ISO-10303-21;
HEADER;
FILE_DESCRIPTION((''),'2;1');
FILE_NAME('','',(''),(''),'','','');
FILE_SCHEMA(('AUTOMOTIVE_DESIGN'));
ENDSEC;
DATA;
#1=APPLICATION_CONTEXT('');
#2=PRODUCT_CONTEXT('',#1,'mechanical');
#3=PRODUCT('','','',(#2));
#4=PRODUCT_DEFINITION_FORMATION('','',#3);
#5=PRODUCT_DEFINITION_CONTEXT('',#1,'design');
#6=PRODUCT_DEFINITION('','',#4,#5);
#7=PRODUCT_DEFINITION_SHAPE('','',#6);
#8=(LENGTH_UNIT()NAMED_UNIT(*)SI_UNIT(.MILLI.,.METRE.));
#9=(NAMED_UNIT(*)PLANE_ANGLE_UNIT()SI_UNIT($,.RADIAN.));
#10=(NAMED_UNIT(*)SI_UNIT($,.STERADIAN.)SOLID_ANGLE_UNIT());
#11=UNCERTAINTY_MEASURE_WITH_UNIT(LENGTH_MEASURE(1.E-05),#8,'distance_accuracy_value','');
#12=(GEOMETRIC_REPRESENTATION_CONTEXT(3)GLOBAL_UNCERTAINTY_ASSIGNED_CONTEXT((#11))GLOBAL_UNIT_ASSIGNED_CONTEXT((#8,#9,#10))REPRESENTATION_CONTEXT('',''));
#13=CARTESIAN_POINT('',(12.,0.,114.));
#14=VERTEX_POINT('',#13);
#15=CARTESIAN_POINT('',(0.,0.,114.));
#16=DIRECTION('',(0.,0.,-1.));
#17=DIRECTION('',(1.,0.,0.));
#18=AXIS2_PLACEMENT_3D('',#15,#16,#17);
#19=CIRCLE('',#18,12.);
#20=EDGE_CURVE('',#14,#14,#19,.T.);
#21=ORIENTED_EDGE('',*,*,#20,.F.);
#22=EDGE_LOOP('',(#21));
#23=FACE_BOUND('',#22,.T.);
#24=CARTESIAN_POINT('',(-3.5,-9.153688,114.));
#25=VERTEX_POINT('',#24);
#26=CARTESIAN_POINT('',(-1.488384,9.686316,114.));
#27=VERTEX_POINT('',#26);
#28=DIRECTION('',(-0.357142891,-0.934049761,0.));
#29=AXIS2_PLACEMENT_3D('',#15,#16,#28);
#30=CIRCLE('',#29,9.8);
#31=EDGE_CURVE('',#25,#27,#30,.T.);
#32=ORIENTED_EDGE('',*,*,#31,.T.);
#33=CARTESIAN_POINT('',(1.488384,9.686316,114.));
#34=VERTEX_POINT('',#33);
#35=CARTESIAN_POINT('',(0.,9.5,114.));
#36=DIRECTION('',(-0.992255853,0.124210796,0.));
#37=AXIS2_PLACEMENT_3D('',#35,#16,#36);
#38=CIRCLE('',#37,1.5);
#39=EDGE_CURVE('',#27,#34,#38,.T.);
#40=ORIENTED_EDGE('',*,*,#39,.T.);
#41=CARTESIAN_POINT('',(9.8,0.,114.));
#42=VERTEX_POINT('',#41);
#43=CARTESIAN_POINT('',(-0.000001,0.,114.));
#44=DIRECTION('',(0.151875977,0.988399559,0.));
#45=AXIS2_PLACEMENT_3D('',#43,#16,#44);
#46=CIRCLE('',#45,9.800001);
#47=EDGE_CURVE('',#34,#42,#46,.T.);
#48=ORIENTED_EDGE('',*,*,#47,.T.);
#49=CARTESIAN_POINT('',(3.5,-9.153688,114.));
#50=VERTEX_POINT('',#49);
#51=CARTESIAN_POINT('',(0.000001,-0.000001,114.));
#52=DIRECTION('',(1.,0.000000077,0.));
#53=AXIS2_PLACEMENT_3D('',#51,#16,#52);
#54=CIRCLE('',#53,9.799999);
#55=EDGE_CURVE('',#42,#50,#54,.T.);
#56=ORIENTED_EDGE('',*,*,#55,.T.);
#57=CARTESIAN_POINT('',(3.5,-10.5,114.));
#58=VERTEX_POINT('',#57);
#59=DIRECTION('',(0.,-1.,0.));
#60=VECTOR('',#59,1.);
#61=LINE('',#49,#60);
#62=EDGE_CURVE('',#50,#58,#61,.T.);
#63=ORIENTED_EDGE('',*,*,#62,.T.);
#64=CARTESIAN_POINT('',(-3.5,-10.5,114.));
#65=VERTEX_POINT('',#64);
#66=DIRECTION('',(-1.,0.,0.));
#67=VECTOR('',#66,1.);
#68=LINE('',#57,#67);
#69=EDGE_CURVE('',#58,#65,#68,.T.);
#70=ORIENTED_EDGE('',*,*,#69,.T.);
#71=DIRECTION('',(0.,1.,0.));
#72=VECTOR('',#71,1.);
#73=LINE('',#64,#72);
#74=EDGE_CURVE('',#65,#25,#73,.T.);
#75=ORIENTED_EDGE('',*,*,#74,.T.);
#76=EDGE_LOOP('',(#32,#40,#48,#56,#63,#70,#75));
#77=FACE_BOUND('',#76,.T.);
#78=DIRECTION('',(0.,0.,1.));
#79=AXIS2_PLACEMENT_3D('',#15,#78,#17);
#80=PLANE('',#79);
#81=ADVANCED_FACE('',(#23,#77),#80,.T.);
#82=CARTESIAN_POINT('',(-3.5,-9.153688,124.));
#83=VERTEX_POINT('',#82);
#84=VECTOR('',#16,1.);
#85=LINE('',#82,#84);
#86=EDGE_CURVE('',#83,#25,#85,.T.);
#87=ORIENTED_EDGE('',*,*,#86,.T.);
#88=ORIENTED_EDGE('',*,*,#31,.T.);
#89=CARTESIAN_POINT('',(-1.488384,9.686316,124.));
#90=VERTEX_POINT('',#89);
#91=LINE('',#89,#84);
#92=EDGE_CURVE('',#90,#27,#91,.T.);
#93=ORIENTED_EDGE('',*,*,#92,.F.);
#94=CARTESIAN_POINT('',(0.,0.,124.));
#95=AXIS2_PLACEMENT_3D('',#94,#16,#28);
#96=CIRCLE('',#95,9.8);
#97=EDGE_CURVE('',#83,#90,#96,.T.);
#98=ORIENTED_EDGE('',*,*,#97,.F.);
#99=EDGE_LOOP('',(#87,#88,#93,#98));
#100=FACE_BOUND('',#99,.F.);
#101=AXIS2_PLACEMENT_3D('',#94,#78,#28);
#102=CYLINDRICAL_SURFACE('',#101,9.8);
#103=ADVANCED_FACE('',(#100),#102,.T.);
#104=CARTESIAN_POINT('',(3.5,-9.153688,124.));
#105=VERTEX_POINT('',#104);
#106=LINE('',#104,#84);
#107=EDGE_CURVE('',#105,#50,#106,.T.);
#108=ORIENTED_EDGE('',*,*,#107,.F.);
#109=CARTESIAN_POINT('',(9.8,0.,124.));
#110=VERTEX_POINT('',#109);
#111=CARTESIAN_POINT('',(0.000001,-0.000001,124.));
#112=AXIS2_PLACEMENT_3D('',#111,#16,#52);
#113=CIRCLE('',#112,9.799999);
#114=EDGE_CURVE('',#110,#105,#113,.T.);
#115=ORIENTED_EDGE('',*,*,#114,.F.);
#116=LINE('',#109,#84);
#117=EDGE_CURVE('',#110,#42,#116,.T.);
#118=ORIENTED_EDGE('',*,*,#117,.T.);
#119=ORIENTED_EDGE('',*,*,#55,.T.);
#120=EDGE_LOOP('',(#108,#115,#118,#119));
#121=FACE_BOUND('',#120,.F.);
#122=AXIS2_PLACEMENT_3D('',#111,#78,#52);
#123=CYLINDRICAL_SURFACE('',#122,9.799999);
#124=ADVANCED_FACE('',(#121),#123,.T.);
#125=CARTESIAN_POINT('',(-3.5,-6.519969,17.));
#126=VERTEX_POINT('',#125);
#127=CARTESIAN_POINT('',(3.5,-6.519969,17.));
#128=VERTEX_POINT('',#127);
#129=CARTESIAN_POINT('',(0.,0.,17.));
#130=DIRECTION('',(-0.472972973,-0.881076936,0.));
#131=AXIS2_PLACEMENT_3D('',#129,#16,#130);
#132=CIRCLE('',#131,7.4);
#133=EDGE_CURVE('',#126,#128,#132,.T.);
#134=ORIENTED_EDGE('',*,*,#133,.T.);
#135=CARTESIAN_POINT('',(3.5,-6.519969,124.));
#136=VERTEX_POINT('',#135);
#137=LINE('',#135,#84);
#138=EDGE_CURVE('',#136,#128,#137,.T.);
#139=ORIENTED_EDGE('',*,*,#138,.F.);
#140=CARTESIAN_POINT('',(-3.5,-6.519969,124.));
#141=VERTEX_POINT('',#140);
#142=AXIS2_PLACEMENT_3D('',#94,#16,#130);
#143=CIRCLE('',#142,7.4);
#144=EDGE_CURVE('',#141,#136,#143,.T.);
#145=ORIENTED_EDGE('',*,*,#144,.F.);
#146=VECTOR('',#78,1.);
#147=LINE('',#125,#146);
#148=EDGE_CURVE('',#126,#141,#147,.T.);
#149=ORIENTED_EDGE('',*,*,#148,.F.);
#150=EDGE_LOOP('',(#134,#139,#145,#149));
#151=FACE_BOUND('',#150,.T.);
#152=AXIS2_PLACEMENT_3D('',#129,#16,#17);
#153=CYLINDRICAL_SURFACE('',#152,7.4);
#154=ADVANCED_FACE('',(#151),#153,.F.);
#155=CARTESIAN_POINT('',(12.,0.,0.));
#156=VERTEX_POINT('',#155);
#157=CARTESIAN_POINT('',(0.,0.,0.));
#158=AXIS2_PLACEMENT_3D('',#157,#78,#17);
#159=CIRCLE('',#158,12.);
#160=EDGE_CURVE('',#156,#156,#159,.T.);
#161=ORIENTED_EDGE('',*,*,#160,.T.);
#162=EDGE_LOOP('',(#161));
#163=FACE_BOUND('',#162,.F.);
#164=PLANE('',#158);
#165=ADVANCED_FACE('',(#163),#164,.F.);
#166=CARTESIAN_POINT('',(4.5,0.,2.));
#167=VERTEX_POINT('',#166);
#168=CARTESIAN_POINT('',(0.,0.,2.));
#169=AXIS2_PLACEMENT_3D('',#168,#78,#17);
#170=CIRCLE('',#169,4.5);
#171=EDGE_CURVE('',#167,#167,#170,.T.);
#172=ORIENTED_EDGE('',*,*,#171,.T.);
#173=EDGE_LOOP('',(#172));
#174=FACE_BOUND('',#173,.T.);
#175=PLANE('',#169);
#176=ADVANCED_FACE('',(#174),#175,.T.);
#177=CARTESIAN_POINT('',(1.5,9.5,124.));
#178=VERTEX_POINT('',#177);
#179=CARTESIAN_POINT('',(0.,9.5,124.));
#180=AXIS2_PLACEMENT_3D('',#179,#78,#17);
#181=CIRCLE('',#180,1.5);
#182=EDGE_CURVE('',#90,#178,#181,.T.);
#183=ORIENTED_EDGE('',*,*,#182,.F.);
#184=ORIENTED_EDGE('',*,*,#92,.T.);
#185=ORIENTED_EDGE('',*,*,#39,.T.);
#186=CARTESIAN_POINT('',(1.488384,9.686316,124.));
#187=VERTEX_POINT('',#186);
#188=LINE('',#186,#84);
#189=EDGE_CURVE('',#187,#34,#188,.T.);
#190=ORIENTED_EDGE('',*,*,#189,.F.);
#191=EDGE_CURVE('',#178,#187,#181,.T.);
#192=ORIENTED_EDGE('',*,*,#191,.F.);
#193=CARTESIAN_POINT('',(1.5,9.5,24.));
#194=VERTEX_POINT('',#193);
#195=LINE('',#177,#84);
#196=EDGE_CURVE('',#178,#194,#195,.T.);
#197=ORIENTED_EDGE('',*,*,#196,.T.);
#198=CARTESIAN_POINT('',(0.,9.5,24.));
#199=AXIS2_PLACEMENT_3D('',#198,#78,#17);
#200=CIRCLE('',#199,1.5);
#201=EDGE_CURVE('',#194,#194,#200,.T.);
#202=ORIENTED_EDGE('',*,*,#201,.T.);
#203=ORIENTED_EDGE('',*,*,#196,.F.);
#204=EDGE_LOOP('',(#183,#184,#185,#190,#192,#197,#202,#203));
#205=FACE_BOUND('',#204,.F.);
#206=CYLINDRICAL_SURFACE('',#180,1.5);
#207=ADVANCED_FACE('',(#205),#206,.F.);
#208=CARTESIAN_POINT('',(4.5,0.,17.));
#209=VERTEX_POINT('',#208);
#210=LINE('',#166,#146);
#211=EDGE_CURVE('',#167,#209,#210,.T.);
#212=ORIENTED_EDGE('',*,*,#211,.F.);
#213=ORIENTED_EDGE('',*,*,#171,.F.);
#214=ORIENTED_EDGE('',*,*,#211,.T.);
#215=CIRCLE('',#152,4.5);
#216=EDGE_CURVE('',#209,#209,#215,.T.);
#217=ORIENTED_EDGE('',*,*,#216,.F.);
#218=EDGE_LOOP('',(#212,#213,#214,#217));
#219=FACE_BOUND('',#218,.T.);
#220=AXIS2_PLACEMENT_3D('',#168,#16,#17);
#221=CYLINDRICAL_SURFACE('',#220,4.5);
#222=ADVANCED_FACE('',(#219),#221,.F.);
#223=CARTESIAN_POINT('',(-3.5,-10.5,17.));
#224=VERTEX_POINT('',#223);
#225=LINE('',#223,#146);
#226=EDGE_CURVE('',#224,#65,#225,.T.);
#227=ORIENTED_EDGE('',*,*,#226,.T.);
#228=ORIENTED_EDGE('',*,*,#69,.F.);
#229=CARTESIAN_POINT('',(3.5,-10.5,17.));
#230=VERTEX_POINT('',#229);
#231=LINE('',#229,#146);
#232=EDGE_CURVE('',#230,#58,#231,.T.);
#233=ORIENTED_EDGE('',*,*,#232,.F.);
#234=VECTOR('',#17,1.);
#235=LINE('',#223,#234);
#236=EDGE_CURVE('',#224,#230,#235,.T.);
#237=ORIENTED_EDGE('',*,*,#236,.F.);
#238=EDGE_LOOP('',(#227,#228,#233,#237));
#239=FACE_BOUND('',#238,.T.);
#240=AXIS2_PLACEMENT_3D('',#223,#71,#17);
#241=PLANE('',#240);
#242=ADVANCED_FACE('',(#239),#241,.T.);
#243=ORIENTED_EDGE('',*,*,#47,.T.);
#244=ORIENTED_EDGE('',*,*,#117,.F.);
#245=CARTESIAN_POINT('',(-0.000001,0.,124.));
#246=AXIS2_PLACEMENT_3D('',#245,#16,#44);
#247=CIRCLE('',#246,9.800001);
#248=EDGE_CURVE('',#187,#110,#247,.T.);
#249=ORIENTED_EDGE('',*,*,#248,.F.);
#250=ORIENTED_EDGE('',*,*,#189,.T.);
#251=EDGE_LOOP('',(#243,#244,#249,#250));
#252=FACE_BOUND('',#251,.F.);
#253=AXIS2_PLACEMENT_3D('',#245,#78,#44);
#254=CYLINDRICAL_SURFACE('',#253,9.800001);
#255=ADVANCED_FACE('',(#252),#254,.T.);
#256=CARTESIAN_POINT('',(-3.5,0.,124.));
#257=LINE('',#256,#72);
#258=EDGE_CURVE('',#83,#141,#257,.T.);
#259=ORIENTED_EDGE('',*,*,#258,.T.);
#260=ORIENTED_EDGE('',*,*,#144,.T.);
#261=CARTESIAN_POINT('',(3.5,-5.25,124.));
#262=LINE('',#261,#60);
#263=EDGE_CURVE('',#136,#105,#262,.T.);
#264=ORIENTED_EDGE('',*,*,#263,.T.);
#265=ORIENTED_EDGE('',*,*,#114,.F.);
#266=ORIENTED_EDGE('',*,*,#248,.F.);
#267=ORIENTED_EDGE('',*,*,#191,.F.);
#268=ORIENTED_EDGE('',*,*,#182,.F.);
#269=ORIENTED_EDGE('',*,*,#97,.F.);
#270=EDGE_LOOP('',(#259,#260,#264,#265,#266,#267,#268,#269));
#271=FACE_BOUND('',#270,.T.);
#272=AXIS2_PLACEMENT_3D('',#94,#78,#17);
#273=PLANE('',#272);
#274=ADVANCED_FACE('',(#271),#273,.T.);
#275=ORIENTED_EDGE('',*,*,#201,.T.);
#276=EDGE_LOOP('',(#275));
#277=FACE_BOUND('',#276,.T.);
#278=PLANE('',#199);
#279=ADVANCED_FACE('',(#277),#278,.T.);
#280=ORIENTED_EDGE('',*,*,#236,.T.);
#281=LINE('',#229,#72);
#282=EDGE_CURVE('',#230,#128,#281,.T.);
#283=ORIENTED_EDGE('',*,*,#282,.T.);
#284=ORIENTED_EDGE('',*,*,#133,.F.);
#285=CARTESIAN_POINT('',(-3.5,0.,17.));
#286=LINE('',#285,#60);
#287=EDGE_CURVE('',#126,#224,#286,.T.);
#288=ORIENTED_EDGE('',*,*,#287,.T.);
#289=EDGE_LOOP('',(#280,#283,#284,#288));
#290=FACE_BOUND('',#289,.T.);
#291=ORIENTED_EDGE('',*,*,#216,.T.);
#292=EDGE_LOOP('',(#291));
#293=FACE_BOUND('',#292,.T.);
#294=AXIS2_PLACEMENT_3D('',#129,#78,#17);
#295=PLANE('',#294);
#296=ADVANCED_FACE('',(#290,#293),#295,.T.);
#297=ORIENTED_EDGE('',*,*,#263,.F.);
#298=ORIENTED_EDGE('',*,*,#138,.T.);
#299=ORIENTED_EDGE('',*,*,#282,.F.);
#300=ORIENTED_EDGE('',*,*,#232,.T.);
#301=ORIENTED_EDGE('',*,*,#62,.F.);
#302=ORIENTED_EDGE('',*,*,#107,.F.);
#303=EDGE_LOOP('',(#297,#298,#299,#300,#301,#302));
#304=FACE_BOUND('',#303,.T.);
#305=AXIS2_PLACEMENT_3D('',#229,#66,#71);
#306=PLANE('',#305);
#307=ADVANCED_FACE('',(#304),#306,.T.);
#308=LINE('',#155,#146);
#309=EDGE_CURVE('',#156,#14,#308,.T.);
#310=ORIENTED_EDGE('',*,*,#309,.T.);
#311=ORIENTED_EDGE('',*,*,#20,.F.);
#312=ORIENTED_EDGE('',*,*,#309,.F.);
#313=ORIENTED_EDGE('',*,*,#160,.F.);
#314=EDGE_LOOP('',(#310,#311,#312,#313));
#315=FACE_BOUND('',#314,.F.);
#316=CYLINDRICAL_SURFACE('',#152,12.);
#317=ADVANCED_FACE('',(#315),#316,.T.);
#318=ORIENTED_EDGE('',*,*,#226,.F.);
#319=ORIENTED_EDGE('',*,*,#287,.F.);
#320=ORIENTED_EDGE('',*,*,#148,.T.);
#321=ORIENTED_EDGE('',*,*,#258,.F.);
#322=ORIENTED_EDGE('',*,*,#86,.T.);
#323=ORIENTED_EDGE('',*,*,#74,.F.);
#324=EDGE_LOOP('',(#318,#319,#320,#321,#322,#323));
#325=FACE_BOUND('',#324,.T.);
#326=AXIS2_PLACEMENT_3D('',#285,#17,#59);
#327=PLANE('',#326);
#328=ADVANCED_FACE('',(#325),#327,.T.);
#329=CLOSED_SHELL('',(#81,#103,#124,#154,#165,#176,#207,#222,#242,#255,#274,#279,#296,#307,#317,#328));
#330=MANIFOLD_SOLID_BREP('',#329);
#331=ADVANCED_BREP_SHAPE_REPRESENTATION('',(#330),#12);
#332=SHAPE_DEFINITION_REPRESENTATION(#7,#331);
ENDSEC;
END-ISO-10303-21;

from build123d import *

# Parameters (mm, degrees)
F0_R      = 12
F1_DEPTH  = 2
F2_R      = 12
F2_R_2    = 4.5
F3_DEPTH  = 15
F4_R      = 12
F4_R_2    = 7.4
F5_DEPTH  = 107
F7_DEPTH  = 107.001
F8_R      = 1.5
F9_DEPTH  = 100
F10_R     = 12
F11_DEPTH = 10
F13_DEPTH = 10


with BuildPart() as f1:
    # F0 (on Top) → F1 (new body)
    with BuildSketch(Plane.XY):
        Circle(F0_R)
    extrude(amount=F1_DEPTH)

    # F2 (on face) → F3 (join)
    with BuildSketch(Plane.XY.offset(2)):
        Circle(F2_R)
        Circle(F2_R_2, mode=Mode.SUBTRACT)
    extrude(amount=F3_DEPTH)

    # F4 (on face) → F5 (join)
    with BuildSketch(Plane.XY.offset(17)):
        Circle(F4_R)
        Circle(F4_R_2, mode=Mode.SUBTRACT)
    extrude(amount=F5_DEPTH)

    # F6 (on face) → F7 (cut, through all)
    with BuildSketch(Plane.XY.offset(17)):
        Polygon((3.5, 0), (0, 0), (-3.5, 0), (-3.5, -10.5), (3.5, -10.5), align=None)
    extrude(amount=F7_DEPTH, mode=Mode.SUBTRACT)

    # F8 (on face) → F9 (cut)
    with BuildSketch(Plane.XY.offset(124)):
        with Locations((0, 9.5)):
            Circle(F8_R)
    extrude(amount=-F9_DEPTH, mode=Mode.SUBTRACT)

    # F10 (on face) → F11 (cut)
    with BuildSketch(Plane.XY.offset(124)):
        Circle(F10_R)
        with BuildLine():
            ThreePointArc((1.488384, 9.686316), (7.437276, 6.381765), (9.8, 0))
            ThreePointArc((9.8, 0), (8.072794, -5.556078), (3.5, -9.153688))
            Line((3.5, -9.153688), (3.5, -10.5))
            Line((3.5, -10.5), (-3.5, -10.5))
            Line((-3.5, -10.5), (-3.5, -9.153688))
            ThreePointArc((-3.5, -9.153688), (-9.74461, 1.040468), (-1.488384, 9.686316))
            ThreePointArc((-1.488384, 9.686316), (0, 11), (1.488384, 9.686316))
        make_face(mode=Mode.SUBTRACT)
    extrude(amount=-F11_DEPTH, mode=Mode.SUBTRACT)

    # F12 (on face) → F13 (cut)
    with BuildSketch(Plane.XY.offset(124)):
        Polygon((3.5, 0), (0, 0), (-3.5, 0), (-3.5, -12), (3.5, -12), align=None)
    extrude(amount=-F13_DEPTH, mode=Mode.SUBTRACT)


solid = f1.part
